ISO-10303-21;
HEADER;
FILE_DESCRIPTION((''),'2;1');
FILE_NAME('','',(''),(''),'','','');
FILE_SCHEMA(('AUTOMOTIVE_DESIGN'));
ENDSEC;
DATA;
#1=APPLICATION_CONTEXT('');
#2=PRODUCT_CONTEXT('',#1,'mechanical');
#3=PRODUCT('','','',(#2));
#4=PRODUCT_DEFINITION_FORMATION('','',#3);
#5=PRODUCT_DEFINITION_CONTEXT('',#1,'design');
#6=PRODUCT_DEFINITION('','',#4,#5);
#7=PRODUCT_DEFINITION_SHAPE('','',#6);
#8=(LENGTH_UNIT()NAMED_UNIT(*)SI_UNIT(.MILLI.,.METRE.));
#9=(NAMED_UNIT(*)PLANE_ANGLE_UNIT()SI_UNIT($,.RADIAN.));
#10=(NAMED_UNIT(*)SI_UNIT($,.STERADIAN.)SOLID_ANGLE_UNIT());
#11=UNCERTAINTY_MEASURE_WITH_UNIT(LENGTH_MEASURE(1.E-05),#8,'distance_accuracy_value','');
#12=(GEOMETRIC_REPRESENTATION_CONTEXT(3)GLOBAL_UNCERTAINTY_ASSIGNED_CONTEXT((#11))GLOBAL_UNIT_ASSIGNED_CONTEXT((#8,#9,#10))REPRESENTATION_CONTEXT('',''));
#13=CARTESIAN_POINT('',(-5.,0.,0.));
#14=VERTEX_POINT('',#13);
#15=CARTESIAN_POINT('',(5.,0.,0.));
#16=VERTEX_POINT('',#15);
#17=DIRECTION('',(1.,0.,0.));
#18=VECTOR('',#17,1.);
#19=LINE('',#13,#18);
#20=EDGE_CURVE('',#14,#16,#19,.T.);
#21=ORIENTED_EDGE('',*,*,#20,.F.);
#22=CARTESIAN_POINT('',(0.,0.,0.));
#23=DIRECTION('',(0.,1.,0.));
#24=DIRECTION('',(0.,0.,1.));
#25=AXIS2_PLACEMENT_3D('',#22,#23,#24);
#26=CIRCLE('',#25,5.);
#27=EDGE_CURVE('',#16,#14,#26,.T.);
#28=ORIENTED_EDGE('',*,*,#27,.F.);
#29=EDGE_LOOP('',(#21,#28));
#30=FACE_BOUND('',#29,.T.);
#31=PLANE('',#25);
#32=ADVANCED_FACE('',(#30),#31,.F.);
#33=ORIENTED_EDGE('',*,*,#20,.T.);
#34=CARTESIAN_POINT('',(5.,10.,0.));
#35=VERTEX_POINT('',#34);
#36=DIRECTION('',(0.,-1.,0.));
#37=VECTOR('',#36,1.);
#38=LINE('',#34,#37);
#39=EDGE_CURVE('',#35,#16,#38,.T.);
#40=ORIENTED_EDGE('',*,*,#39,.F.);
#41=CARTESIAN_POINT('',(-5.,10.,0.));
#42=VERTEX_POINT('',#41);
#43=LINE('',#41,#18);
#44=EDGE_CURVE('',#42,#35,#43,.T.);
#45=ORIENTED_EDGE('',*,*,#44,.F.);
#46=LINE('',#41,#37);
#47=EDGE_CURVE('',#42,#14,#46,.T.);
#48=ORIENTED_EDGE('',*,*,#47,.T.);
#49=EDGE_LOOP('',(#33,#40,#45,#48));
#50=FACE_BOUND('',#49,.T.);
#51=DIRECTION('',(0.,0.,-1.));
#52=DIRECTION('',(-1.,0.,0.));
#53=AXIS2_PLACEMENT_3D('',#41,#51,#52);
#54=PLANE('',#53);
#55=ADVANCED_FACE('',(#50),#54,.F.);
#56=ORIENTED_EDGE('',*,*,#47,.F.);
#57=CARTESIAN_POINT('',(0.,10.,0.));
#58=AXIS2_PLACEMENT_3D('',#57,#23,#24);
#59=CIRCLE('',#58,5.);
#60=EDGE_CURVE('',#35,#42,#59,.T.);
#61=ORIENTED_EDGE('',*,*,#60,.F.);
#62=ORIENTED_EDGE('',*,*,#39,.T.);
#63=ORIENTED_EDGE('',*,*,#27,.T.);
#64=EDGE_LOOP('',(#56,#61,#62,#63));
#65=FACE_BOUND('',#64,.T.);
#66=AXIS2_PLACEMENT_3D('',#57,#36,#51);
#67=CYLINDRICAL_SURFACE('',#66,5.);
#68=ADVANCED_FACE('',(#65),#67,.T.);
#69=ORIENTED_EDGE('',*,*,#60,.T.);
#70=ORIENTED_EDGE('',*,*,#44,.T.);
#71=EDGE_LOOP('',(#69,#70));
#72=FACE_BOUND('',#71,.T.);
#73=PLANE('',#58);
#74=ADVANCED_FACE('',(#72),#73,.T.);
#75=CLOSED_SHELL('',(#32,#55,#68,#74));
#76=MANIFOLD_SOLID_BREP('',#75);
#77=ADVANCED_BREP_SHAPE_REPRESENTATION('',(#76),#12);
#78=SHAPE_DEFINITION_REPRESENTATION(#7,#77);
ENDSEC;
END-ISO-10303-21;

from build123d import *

# Parameters (mm, degrees)
BOSS_EXTRUDE1_DEPTH = 10


with BuildPart() as part:
    # Sketch1 → Boss-Extrude1 (new body)
    with BuildSketch(Plane(origin=(0, 0, 0), x_dir=(1, 0, 0), z_dir=(0, 1, 0))):
        with BuildLine():
            Line((-5, 0), (5, 0))
            ThreePointArc((5, 0), (0, 5), (-5, 0))
        make_face()
    extrude(amount=BOSS_EXTRUDE1_DEPTH)


solid = part.part
